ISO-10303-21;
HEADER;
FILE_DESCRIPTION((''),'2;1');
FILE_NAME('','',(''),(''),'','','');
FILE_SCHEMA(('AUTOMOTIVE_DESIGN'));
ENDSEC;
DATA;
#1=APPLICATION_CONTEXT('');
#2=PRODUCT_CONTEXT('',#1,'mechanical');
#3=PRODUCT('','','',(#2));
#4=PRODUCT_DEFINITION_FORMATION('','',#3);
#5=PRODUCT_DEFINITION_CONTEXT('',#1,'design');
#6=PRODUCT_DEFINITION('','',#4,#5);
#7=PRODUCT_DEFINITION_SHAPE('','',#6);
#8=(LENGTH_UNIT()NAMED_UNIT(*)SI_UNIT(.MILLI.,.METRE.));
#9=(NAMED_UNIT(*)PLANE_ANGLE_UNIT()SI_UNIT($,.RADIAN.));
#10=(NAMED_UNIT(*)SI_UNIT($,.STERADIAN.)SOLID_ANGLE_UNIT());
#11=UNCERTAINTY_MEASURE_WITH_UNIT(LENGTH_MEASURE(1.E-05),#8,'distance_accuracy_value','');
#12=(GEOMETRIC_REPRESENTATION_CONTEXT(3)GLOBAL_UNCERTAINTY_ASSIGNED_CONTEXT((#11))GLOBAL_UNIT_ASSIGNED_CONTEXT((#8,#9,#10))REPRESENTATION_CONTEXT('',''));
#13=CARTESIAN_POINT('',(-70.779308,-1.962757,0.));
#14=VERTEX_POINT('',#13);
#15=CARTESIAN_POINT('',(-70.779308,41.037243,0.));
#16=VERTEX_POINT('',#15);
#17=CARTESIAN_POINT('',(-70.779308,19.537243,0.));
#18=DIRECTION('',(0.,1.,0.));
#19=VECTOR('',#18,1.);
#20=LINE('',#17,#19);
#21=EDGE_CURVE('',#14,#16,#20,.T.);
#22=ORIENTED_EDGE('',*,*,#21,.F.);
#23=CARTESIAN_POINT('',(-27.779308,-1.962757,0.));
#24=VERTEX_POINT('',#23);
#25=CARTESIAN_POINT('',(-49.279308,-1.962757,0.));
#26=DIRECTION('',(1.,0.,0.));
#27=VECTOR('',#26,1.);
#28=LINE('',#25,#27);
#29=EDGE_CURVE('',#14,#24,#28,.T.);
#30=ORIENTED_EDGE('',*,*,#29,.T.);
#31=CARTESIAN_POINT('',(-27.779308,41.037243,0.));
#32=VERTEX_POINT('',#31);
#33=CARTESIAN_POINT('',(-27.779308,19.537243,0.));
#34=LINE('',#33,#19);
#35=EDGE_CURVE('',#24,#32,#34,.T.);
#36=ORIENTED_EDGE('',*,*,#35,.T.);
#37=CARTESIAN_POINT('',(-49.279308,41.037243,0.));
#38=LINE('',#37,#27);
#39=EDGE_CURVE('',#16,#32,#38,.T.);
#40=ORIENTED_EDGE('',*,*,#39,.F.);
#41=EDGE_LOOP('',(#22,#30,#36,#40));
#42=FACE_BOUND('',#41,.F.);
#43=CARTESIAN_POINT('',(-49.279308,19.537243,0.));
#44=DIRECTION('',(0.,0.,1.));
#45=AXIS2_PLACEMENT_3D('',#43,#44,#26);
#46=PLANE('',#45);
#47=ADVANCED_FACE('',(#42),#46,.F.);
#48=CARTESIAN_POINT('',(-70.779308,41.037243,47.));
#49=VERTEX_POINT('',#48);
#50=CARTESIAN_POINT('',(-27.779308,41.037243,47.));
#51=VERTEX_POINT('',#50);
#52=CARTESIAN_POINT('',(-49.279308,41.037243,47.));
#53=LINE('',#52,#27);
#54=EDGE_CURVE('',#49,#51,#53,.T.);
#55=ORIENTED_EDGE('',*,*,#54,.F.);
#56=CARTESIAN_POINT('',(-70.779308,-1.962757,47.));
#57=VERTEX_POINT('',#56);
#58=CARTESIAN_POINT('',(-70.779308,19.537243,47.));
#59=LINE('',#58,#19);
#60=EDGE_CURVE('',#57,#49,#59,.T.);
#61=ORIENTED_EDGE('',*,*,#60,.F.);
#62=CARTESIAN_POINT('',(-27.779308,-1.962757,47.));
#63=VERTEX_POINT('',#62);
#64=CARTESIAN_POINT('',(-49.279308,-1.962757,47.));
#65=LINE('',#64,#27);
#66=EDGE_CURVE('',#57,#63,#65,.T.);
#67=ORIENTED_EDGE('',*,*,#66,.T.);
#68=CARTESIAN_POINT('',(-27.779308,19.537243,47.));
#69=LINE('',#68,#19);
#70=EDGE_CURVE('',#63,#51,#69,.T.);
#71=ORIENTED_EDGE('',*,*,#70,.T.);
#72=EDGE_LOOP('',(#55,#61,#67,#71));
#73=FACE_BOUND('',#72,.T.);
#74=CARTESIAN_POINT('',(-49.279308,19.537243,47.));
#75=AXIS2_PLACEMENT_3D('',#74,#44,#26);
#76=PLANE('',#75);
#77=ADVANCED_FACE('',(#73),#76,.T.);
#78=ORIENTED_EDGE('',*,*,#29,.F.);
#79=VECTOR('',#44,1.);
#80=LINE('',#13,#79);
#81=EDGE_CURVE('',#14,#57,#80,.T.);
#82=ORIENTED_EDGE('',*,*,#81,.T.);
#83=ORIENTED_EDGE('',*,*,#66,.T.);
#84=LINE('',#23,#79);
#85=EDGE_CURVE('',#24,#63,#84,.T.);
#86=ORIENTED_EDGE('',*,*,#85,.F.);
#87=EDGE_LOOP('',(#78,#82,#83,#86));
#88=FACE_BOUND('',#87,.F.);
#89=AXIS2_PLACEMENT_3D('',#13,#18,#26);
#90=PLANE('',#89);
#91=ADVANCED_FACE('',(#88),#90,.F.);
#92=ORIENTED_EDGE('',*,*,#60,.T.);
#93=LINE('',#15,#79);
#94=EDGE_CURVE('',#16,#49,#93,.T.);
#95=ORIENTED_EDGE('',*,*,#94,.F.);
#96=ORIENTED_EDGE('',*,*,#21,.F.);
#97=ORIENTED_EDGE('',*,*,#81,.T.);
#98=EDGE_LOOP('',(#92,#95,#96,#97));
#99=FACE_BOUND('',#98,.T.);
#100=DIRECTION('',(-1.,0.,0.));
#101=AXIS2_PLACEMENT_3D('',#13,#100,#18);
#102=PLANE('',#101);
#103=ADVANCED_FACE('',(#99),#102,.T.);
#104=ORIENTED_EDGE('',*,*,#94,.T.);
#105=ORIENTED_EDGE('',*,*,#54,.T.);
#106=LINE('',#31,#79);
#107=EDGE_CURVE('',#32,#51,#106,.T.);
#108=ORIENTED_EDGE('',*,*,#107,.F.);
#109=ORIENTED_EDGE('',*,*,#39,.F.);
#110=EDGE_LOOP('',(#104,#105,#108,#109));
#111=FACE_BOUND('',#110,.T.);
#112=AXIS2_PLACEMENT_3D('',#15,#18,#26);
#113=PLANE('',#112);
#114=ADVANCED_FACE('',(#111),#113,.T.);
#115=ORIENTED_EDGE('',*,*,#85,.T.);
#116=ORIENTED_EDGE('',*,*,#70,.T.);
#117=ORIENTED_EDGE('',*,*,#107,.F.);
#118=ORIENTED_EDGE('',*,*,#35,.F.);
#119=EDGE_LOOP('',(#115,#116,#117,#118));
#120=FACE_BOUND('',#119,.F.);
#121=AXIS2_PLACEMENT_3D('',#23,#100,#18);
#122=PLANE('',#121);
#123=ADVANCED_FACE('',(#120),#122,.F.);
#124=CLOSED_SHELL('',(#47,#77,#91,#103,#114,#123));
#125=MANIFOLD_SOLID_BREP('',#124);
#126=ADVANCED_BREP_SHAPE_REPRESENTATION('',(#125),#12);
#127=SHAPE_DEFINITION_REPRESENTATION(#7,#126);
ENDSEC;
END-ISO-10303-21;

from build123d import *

# Parameters (mm, degrees)
SKETCH_W      = 43
SKETCH_H      = 43
EXTRUDE_DEPTH = 47


with BuildPart() as part:
    # Sketch → Extrude (new body)
    with BuildSketch(Plane.XY):
        with Locations((-49.279308, 19.537243)):
            Rectangle(SKETCH_W, SKETCH_H)
    extrude(amount=EXTRUDE_DEPTH)


solid = part.part
